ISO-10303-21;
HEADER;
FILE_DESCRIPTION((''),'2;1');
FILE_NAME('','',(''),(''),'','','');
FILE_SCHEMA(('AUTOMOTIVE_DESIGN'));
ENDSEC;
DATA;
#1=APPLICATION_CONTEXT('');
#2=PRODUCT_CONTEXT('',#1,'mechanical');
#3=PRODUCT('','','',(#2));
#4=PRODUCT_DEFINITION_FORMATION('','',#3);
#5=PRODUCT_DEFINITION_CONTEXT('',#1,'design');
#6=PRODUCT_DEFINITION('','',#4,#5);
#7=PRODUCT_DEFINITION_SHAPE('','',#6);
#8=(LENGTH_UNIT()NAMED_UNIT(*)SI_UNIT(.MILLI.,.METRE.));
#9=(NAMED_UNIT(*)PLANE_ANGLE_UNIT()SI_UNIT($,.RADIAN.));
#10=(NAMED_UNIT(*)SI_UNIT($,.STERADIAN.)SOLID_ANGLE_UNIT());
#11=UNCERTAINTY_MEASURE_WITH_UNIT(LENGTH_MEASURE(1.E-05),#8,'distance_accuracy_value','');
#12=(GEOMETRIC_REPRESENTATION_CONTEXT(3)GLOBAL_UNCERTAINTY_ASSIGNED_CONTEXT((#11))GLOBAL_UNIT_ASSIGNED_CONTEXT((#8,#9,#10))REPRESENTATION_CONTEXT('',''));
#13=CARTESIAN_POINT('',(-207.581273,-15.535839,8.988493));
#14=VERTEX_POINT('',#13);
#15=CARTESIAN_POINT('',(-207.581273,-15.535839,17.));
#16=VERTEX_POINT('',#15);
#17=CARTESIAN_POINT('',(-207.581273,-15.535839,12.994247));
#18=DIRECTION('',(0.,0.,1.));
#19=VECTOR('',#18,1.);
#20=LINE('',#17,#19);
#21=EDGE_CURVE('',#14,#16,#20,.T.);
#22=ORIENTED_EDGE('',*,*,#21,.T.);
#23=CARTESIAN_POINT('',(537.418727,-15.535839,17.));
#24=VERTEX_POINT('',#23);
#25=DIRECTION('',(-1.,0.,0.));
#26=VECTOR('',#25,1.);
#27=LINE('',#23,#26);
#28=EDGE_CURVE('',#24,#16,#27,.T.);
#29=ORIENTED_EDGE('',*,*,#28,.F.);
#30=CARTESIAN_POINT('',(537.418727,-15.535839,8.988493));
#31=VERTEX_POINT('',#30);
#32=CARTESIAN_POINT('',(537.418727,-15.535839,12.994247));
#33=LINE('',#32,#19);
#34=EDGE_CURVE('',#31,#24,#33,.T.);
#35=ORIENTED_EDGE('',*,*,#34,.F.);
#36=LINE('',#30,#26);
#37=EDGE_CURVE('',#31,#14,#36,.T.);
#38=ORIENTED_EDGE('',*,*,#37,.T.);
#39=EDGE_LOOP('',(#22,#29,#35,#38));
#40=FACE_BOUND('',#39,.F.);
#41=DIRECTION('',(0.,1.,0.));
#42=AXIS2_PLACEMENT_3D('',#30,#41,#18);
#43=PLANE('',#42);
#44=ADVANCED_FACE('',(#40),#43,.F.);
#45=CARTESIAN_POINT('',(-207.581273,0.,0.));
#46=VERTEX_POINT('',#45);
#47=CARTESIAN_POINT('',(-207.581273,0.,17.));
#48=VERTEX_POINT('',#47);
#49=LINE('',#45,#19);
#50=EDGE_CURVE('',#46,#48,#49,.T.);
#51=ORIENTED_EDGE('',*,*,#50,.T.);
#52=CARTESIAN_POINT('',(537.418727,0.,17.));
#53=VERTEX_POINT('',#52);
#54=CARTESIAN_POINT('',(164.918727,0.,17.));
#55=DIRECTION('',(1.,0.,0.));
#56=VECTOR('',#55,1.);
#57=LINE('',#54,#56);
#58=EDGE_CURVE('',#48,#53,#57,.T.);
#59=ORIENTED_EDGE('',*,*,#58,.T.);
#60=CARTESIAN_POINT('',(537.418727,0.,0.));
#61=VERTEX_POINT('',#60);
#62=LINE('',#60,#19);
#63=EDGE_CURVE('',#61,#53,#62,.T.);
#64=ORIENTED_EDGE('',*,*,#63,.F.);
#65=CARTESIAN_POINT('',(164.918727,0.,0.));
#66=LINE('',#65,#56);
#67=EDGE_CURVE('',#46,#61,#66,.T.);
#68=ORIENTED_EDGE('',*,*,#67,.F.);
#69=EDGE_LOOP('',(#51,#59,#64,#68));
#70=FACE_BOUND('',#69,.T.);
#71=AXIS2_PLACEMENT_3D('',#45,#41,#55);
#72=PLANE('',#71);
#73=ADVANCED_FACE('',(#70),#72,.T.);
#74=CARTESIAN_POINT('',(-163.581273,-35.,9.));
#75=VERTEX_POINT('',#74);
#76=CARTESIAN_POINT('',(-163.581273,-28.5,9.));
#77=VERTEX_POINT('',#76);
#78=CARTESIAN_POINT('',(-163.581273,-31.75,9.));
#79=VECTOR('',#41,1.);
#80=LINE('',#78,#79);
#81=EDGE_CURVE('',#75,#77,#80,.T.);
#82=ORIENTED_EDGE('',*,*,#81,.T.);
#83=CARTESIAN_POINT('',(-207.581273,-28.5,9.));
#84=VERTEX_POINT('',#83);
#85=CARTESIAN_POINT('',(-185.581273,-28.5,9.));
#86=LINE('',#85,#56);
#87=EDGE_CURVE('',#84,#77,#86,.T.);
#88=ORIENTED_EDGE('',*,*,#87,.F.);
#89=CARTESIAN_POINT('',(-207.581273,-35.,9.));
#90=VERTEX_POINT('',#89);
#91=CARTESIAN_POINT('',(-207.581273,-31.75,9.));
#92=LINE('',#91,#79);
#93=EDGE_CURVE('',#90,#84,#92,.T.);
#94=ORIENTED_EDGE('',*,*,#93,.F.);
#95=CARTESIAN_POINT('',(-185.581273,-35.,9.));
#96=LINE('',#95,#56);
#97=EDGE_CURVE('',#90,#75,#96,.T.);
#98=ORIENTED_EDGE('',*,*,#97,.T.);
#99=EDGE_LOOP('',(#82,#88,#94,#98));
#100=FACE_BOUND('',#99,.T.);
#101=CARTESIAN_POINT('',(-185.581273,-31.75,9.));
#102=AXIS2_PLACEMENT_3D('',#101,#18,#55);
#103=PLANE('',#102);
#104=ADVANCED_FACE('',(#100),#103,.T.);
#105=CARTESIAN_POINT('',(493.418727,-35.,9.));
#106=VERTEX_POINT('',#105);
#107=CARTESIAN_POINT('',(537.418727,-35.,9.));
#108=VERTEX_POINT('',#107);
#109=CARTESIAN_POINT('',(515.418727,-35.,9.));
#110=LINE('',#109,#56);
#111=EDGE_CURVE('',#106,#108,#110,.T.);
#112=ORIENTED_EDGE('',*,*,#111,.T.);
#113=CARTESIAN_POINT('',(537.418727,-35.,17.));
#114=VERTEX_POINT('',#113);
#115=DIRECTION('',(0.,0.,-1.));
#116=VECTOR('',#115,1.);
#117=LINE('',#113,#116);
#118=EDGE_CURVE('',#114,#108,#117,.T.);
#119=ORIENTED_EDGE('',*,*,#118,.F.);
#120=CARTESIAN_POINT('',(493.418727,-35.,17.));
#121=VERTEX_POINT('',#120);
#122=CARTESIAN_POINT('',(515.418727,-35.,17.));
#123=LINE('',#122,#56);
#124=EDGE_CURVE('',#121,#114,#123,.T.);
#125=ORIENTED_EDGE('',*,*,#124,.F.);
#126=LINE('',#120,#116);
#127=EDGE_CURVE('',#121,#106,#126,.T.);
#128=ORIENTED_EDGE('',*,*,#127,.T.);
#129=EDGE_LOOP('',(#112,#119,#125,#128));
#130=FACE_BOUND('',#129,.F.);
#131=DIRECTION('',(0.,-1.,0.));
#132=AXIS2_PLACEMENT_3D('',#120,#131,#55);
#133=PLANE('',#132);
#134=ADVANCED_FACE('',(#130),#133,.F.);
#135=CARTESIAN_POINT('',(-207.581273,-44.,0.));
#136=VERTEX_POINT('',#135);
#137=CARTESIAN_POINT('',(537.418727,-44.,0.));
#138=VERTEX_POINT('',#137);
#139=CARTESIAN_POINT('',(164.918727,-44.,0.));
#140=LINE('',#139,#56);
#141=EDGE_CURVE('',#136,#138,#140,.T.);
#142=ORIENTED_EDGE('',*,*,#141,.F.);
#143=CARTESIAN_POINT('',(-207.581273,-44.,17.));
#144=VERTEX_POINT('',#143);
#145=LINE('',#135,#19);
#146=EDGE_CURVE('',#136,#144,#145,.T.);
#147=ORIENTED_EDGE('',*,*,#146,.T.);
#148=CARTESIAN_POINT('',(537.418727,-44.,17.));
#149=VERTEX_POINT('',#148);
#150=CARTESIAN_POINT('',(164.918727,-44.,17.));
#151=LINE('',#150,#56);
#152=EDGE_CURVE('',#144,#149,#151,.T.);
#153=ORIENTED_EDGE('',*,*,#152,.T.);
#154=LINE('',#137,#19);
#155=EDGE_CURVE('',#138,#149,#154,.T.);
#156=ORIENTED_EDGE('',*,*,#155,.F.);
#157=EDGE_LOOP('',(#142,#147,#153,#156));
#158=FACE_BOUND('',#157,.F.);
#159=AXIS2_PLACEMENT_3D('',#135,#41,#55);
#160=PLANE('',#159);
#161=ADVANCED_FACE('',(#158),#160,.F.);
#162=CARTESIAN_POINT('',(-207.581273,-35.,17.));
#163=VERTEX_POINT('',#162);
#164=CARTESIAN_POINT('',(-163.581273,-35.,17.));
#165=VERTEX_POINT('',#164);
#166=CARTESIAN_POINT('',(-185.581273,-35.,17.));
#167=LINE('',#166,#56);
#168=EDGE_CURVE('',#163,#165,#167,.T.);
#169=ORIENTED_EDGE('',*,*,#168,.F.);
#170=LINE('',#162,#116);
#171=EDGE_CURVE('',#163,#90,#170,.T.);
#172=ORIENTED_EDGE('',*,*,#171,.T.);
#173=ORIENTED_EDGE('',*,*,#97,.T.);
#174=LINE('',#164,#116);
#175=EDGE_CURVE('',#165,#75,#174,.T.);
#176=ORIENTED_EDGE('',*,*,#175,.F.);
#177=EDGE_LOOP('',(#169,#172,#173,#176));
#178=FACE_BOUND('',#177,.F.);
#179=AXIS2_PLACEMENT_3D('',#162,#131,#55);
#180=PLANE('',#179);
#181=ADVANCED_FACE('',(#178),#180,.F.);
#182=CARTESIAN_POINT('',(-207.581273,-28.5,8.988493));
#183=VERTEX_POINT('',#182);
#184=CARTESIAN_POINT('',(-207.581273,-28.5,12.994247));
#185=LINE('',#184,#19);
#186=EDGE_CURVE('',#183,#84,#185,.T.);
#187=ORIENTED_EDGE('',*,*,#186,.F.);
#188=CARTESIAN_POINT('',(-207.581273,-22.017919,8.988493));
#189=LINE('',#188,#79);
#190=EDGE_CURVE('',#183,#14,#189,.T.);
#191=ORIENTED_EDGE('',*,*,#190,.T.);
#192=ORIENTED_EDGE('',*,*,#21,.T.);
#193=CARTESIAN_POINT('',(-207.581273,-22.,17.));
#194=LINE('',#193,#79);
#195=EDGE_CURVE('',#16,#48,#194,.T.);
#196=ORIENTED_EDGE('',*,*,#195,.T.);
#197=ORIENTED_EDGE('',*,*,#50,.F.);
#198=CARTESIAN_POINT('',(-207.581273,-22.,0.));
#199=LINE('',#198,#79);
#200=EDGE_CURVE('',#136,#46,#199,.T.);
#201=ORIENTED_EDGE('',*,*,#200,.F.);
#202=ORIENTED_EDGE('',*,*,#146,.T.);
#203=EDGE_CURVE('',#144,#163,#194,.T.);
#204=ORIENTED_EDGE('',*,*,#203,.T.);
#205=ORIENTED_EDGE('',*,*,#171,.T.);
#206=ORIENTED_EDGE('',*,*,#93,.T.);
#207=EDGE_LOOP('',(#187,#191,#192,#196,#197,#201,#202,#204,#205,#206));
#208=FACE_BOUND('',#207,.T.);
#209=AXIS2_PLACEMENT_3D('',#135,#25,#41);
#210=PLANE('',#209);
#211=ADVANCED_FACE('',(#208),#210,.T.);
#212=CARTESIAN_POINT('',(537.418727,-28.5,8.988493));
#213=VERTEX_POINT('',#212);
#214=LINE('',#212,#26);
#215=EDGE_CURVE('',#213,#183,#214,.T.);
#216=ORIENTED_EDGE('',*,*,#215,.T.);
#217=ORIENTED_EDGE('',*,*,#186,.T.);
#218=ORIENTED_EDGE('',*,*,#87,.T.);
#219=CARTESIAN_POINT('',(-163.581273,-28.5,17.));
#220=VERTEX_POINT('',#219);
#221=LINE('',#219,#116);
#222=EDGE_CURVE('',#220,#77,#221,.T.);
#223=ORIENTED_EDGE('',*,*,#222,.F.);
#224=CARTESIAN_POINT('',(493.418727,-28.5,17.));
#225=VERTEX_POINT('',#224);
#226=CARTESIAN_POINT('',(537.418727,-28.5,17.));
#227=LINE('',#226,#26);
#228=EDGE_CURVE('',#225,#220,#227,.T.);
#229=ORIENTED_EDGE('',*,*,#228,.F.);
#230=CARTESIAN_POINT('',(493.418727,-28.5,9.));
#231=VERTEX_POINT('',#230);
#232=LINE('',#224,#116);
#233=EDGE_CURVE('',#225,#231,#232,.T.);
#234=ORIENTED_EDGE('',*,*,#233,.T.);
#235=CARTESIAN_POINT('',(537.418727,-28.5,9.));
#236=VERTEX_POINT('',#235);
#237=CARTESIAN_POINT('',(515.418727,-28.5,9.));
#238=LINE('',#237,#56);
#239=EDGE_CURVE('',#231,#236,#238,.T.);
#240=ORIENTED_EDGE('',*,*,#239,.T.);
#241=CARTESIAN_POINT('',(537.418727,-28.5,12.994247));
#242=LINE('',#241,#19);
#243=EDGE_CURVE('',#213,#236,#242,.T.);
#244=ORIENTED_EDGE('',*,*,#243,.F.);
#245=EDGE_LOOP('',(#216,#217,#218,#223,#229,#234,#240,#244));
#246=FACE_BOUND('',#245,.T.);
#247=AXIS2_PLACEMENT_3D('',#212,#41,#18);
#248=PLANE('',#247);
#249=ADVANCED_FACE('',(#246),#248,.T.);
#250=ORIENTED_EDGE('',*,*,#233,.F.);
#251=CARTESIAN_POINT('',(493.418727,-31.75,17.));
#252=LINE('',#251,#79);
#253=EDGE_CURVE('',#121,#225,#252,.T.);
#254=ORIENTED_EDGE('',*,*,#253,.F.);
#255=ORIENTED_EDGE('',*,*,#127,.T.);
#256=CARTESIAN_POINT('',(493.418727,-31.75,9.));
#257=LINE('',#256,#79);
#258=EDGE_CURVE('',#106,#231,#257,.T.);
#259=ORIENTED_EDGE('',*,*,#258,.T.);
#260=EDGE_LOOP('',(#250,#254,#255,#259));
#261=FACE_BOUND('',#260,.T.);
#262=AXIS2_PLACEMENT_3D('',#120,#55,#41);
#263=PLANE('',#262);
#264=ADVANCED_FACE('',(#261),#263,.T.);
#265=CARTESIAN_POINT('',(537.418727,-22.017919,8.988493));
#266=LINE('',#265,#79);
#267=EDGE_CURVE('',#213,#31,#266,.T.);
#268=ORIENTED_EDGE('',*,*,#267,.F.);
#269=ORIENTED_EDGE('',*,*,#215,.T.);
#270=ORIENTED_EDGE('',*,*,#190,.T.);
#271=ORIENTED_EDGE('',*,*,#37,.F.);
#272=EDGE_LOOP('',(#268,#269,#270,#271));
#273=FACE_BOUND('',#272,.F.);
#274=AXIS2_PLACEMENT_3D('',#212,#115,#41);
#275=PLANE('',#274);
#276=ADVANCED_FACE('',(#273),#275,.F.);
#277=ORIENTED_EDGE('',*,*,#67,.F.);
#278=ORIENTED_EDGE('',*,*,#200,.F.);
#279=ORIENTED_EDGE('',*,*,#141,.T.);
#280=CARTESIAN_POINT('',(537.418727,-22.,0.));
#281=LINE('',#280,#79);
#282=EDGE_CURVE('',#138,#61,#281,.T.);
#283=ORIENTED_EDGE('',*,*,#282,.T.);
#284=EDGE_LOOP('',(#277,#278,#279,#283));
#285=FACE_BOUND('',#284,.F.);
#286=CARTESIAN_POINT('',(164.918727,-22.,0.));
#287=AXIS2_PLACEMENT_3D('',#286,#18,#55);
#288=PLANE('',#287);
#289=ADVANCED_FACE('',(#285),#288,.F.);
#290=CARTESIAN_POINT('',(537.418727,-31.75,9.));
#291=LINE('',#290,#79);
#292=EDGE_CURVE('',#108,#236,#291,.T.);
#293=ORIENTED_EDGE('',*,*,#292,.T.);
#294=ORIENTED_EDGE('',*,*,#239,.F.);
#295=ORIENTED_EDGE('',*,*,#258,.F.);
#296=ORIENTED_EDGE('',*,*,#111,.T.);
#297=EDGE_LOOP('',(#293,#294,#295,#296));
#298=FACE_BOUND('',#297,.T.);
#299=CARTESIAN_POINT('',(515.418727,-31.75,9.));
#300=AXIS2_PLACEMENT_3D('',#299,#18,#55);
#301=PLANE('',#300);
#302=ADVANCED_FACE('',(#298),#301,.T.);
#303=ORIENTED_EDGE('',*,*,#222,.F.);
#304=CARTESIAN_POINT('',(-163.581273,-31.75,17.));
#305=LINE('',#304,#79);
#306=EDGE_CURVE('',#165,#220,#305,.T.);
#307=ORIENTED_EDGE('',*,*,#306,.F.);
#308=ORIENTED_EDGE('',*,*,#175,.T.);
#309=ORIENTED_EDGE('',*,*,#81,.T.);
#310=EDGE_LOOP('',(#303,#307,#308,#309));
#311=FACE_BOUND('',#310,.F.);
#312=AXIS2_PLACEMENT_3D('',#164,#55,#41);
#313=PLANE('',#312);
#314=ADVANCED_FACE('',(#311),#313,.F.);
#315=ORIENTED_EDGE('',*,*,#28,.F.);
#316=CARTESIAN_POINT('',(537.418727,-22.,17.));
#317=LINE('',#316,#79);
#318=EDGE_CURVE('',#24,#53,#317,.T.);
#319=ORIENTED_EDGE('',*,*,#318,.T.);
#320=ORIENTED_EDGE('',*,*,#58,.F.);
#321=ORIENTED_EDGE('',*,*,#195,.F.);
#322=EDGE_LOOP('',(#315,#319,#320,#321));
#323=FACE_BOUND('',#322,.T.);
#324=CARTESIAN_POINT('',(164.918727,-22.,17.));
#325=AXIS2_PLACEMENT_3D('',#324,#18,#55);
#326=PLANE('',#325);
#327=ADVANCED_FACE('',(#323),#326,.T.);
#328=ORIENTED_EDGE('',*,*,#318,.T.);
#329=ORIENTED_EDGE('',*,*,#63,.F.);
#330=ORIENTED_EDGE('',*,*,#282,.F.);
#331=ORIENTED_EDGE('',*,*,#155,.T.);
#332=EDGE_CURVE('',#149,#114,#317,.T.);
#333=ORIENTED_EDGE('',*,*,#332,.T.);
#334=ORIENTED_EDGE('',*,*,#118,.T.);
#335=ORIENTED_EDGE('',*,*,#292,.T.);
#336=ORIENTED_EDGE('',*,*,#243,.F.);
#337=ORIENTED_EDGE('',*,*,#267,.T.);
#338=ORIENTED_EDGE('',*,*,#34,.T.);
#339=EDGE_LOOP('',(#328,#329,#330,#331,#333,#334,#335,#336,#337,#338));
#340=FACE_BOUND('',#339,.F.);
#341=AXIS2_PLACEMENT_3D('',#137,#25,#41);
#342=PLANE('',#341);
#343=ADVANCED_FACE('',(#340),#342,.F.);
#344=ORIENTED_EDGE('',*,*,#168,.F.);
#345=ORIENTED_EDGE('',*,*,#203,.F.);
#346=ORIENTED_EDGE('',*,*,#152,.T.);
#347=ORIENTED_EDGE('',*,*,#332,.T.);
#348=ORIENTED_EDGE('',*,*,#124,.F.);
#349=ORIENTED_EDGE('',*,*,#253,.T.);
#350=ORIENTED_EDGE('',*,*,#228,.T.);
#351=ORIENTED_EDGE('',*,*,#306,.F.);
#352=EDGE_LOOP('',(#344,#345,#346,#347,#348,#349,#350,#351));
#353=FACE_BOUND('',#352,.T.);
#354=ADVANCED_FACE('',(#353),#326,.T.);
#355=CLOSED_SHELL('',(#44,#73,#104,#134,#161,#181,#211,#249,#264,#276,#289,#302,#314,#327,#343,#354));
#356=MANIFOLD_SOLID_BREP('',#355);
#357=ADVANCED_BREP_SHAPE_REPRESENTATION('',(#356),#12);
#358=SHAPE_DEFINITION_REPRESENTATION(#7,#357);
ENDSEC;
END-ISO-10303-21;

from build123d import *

# Parameters (mm, degrees)
F0_W     = 745
F0_H     = 44
F1_DEPTH = 17
F2_W     = 12.964161098
F2_H     = 8.0115068778
F3_DEPTH = 745
F4_W     = 44
F4_H     = 6.5
F5_DEPTH = 8
F6_W     = 44
F6_H     = 6.5
F7_DEPTH = 8


with BuildPart() as f1:
    # F0 (on Top) → F1 (new body)
    with BuildSketch(Plane.XY):
        with Locations((164.9187269809, -22)):
            Rectangle(F0_W, F0_H)
    extrude(amount=F1_DEPTH)

    # F2 (on face) → F3 (cut)
    with BuildSketch(Plane.YZ.offset(537.4187269809)):
        with Locations((-22.017919451, 12.9942465611)):
            Rectangle(F2_W, F2_H)
    extrude(amount=-F3_DEPTH, mode=Mode.SUBTRACT)

    # F4 (on face) → F5 (cut)
    with BuildSketch(Plane.XY.offset(17)):
        with Locations((515.4187269809, -31.75)):
            Rectangle(F4_W, F4_H)
    extrude(amount=-F5_DEPTH, mode=Mode.SUBTRACT)

    # F6 (on face) → F7 (cut)
    with BuildSketch(Plane.XY.offset(17)):
        with Locations((-185.5812730191, -31.75)):
            Rectangle(F6_W, F6_H)
    extrude(amount=-F7_DEPTH, mode=Mode.SUBTRACT)


solid = f1.part
